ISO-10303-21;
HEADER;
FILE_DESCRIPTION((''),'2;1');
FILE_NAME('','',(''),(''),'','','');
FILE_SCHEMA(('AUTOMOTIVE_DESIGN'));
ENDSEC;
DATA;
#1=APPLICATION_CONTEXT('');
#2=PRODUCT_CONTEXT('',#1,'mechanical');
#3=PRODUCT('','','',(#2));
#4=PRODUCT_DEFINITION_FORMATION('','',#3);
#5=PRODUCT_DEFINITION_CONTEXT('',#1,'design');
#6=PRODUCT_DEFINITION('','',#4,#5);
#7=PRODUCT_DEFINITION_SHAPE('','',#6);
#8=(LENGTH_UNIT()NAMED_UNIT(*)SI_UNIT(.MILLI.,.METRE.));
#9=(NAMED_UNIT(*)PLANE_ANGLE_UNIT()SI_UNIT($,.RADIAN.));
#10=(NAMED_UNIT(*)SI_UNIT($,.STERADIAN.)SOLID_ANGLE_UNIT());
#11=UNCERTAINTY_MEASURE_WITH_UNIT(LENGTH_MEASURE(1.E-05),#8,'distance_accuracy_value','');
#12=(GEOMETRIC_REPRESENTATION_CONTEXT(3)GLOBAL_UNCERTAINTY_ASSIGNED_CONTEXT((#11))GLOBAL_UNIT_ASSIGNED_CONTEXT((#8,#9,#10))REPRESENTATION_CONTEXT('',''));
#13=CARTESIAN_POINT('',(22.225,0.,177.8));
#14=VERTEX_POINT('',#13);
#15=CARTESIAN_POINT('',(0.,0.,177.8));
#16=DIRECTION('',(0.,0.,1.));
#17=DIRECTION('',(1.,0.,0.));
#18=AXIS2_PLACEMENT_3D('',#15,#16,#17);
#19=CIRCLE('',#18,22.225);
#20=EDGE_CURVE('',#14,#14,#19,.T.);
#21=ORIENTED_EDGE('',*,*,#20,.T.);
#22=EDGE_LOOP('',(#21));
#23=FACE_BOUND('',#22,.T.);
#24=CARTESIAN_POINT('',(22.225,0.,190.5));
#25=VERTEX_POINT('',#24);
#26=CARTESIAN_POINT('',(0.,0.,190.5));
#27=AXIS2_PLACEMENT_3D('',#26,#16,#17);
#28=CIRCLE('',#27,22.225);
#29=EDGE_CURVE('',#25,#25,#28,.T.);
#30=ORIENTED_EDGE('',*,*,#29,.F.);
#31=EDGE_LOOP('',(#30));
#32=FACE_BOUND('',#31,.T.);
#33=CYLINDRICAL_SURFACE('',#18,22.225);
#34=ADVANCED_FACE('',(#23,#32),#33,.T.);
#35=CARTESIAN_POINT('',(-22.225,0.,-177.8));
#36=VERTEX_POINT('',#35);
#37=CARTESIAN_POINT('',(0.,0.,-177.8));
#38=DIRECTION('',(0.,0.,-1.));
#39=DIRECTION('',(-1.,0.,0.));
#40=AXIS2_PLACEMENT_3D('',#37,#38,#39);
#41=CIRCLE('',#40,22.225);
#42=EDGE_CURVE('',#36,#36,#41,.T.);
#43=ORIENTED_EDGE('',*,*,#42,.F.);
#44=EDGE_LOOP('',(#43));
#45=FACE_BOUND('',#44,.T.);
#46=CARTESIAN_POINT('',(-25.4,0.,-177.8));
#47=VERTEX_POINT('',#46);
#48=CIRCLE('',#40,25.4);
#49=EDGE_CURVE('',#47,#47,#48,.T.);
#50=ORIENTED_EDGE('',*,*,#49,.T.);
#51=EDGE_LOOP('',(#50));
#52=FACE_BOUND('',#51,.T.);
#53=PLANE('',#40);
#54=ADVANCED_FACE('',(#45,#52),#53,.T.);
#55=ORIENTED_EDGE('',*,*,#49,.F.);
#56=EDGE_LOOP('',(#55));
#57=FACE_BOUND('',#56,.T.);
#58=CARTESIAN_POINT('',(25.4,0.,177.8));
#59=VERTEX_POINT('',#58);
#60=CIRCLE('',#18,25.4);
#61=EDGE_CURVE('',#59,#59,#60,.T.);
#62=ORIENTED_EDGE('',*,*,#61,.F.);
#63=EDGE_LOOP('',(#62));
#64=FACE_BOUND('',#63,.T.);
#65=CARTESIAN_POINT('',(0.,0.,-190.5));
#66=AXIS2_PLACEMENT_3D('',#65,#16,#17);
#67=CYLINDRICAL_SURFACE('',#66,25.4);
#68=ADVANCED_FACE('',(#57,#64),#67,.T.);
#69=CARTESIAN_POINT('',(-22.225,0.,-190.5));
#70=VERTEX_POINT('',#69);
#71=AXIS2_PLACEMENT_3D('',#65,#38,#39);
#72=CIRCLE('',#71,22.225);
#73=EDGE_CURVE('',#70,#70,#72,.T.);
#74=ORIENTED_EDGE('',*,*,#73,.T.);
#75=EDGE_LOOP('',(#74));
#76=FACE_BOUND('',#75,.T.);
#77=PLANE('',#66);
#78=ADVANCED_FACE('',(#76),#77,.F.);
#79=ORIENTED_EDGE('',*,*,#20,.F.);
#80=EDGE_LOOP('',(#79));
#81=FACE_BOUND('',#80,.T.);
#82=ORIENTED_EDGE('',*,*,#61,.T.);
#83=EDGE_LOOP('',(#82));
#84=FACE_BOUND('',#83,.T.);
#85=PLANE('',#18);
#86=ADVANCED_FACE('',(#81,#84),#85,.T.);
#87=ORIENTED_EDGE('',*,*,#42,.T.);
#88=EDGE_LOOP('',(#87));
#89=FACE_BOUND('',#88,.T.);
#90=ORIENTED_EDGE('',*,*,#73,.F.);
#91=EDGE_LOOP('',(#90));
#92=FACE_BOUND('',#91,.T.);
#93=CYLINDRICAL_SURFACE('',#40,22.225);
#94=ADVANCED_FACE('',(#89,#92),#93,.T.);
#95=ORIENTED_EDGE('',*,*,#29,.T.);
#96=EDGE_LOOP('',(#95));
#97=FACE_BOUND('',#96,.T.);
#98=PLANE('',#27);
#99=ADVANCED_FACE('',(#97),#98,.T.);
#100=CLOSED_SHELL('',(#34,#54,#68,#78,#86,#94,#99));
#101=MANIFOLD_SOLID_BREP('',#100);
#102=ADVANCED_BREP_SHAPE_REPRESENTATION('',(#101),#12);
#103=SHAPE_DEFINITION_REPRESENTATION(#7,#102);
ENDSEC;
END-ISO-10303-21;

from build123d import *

# Parameters (mm, degrees)
BOSS_EXTRUDE1_START = 190.5
SKETCH1_R           = 25.4
BOSS_EXTRUDE1_DEPTH = 381
SKETCH2_R           = 25.4
SKETCH2_R_2         = 22.225
CUT_EXTRUDE1_DEPTH  = 12.7
CUT_EXTRUDE2_START  = -12.7
SKETCH3_R           = 25.4
SKETCH3_R_2         = 22.225
CUT_EXTRUDE2_DEPTH  = 12.7


with BuildPart() as part:
    # Sketch1 → Boss-Extrude1 (new body)
    with BuildSketch(Plane.XY.offset(BOSS_EXTRUDE1_START)):
        Circle(SKETCH1_R)
    extrude(amount=-BOSS_EXTRUDE1_DEPTH)

    # Sketch2 → Cut-Extrude1 (cut)
    with BuildSketch(Plane.XY.offset(190.5)):
        Circle(SKETCH2_R)
        Circle(SKETCH2_R_2, mode=Mode.SUBTRACT)
    extrude(amount=-CUT_EXTRUDE1_DEPTH, mode=Mode.SUBTRACT)

    # Sketch3 → Cut-Extrude2 (cut)
    with BuildSketch(Plane(origin=(0, 0, -190.5), x_dir=(-1, 0, 0), z_dir=(0, 0, -1)).offset(CUT_EXTRUDE2_START)):
        with Locations(Location((0, 0, 0), (0, 0, 180))):
            Circle(SKETCH3_R)
        with Locations(Location((0, 0, 0), (0, 0, 180))):
            Circle(SKETCH3_R_2, mode=Mode.SUBTRACT)
    extrude(amount=CUT_EXTRUDE2_DEPTH, mode=Mode.SUBTRACT)


solid = part.part
